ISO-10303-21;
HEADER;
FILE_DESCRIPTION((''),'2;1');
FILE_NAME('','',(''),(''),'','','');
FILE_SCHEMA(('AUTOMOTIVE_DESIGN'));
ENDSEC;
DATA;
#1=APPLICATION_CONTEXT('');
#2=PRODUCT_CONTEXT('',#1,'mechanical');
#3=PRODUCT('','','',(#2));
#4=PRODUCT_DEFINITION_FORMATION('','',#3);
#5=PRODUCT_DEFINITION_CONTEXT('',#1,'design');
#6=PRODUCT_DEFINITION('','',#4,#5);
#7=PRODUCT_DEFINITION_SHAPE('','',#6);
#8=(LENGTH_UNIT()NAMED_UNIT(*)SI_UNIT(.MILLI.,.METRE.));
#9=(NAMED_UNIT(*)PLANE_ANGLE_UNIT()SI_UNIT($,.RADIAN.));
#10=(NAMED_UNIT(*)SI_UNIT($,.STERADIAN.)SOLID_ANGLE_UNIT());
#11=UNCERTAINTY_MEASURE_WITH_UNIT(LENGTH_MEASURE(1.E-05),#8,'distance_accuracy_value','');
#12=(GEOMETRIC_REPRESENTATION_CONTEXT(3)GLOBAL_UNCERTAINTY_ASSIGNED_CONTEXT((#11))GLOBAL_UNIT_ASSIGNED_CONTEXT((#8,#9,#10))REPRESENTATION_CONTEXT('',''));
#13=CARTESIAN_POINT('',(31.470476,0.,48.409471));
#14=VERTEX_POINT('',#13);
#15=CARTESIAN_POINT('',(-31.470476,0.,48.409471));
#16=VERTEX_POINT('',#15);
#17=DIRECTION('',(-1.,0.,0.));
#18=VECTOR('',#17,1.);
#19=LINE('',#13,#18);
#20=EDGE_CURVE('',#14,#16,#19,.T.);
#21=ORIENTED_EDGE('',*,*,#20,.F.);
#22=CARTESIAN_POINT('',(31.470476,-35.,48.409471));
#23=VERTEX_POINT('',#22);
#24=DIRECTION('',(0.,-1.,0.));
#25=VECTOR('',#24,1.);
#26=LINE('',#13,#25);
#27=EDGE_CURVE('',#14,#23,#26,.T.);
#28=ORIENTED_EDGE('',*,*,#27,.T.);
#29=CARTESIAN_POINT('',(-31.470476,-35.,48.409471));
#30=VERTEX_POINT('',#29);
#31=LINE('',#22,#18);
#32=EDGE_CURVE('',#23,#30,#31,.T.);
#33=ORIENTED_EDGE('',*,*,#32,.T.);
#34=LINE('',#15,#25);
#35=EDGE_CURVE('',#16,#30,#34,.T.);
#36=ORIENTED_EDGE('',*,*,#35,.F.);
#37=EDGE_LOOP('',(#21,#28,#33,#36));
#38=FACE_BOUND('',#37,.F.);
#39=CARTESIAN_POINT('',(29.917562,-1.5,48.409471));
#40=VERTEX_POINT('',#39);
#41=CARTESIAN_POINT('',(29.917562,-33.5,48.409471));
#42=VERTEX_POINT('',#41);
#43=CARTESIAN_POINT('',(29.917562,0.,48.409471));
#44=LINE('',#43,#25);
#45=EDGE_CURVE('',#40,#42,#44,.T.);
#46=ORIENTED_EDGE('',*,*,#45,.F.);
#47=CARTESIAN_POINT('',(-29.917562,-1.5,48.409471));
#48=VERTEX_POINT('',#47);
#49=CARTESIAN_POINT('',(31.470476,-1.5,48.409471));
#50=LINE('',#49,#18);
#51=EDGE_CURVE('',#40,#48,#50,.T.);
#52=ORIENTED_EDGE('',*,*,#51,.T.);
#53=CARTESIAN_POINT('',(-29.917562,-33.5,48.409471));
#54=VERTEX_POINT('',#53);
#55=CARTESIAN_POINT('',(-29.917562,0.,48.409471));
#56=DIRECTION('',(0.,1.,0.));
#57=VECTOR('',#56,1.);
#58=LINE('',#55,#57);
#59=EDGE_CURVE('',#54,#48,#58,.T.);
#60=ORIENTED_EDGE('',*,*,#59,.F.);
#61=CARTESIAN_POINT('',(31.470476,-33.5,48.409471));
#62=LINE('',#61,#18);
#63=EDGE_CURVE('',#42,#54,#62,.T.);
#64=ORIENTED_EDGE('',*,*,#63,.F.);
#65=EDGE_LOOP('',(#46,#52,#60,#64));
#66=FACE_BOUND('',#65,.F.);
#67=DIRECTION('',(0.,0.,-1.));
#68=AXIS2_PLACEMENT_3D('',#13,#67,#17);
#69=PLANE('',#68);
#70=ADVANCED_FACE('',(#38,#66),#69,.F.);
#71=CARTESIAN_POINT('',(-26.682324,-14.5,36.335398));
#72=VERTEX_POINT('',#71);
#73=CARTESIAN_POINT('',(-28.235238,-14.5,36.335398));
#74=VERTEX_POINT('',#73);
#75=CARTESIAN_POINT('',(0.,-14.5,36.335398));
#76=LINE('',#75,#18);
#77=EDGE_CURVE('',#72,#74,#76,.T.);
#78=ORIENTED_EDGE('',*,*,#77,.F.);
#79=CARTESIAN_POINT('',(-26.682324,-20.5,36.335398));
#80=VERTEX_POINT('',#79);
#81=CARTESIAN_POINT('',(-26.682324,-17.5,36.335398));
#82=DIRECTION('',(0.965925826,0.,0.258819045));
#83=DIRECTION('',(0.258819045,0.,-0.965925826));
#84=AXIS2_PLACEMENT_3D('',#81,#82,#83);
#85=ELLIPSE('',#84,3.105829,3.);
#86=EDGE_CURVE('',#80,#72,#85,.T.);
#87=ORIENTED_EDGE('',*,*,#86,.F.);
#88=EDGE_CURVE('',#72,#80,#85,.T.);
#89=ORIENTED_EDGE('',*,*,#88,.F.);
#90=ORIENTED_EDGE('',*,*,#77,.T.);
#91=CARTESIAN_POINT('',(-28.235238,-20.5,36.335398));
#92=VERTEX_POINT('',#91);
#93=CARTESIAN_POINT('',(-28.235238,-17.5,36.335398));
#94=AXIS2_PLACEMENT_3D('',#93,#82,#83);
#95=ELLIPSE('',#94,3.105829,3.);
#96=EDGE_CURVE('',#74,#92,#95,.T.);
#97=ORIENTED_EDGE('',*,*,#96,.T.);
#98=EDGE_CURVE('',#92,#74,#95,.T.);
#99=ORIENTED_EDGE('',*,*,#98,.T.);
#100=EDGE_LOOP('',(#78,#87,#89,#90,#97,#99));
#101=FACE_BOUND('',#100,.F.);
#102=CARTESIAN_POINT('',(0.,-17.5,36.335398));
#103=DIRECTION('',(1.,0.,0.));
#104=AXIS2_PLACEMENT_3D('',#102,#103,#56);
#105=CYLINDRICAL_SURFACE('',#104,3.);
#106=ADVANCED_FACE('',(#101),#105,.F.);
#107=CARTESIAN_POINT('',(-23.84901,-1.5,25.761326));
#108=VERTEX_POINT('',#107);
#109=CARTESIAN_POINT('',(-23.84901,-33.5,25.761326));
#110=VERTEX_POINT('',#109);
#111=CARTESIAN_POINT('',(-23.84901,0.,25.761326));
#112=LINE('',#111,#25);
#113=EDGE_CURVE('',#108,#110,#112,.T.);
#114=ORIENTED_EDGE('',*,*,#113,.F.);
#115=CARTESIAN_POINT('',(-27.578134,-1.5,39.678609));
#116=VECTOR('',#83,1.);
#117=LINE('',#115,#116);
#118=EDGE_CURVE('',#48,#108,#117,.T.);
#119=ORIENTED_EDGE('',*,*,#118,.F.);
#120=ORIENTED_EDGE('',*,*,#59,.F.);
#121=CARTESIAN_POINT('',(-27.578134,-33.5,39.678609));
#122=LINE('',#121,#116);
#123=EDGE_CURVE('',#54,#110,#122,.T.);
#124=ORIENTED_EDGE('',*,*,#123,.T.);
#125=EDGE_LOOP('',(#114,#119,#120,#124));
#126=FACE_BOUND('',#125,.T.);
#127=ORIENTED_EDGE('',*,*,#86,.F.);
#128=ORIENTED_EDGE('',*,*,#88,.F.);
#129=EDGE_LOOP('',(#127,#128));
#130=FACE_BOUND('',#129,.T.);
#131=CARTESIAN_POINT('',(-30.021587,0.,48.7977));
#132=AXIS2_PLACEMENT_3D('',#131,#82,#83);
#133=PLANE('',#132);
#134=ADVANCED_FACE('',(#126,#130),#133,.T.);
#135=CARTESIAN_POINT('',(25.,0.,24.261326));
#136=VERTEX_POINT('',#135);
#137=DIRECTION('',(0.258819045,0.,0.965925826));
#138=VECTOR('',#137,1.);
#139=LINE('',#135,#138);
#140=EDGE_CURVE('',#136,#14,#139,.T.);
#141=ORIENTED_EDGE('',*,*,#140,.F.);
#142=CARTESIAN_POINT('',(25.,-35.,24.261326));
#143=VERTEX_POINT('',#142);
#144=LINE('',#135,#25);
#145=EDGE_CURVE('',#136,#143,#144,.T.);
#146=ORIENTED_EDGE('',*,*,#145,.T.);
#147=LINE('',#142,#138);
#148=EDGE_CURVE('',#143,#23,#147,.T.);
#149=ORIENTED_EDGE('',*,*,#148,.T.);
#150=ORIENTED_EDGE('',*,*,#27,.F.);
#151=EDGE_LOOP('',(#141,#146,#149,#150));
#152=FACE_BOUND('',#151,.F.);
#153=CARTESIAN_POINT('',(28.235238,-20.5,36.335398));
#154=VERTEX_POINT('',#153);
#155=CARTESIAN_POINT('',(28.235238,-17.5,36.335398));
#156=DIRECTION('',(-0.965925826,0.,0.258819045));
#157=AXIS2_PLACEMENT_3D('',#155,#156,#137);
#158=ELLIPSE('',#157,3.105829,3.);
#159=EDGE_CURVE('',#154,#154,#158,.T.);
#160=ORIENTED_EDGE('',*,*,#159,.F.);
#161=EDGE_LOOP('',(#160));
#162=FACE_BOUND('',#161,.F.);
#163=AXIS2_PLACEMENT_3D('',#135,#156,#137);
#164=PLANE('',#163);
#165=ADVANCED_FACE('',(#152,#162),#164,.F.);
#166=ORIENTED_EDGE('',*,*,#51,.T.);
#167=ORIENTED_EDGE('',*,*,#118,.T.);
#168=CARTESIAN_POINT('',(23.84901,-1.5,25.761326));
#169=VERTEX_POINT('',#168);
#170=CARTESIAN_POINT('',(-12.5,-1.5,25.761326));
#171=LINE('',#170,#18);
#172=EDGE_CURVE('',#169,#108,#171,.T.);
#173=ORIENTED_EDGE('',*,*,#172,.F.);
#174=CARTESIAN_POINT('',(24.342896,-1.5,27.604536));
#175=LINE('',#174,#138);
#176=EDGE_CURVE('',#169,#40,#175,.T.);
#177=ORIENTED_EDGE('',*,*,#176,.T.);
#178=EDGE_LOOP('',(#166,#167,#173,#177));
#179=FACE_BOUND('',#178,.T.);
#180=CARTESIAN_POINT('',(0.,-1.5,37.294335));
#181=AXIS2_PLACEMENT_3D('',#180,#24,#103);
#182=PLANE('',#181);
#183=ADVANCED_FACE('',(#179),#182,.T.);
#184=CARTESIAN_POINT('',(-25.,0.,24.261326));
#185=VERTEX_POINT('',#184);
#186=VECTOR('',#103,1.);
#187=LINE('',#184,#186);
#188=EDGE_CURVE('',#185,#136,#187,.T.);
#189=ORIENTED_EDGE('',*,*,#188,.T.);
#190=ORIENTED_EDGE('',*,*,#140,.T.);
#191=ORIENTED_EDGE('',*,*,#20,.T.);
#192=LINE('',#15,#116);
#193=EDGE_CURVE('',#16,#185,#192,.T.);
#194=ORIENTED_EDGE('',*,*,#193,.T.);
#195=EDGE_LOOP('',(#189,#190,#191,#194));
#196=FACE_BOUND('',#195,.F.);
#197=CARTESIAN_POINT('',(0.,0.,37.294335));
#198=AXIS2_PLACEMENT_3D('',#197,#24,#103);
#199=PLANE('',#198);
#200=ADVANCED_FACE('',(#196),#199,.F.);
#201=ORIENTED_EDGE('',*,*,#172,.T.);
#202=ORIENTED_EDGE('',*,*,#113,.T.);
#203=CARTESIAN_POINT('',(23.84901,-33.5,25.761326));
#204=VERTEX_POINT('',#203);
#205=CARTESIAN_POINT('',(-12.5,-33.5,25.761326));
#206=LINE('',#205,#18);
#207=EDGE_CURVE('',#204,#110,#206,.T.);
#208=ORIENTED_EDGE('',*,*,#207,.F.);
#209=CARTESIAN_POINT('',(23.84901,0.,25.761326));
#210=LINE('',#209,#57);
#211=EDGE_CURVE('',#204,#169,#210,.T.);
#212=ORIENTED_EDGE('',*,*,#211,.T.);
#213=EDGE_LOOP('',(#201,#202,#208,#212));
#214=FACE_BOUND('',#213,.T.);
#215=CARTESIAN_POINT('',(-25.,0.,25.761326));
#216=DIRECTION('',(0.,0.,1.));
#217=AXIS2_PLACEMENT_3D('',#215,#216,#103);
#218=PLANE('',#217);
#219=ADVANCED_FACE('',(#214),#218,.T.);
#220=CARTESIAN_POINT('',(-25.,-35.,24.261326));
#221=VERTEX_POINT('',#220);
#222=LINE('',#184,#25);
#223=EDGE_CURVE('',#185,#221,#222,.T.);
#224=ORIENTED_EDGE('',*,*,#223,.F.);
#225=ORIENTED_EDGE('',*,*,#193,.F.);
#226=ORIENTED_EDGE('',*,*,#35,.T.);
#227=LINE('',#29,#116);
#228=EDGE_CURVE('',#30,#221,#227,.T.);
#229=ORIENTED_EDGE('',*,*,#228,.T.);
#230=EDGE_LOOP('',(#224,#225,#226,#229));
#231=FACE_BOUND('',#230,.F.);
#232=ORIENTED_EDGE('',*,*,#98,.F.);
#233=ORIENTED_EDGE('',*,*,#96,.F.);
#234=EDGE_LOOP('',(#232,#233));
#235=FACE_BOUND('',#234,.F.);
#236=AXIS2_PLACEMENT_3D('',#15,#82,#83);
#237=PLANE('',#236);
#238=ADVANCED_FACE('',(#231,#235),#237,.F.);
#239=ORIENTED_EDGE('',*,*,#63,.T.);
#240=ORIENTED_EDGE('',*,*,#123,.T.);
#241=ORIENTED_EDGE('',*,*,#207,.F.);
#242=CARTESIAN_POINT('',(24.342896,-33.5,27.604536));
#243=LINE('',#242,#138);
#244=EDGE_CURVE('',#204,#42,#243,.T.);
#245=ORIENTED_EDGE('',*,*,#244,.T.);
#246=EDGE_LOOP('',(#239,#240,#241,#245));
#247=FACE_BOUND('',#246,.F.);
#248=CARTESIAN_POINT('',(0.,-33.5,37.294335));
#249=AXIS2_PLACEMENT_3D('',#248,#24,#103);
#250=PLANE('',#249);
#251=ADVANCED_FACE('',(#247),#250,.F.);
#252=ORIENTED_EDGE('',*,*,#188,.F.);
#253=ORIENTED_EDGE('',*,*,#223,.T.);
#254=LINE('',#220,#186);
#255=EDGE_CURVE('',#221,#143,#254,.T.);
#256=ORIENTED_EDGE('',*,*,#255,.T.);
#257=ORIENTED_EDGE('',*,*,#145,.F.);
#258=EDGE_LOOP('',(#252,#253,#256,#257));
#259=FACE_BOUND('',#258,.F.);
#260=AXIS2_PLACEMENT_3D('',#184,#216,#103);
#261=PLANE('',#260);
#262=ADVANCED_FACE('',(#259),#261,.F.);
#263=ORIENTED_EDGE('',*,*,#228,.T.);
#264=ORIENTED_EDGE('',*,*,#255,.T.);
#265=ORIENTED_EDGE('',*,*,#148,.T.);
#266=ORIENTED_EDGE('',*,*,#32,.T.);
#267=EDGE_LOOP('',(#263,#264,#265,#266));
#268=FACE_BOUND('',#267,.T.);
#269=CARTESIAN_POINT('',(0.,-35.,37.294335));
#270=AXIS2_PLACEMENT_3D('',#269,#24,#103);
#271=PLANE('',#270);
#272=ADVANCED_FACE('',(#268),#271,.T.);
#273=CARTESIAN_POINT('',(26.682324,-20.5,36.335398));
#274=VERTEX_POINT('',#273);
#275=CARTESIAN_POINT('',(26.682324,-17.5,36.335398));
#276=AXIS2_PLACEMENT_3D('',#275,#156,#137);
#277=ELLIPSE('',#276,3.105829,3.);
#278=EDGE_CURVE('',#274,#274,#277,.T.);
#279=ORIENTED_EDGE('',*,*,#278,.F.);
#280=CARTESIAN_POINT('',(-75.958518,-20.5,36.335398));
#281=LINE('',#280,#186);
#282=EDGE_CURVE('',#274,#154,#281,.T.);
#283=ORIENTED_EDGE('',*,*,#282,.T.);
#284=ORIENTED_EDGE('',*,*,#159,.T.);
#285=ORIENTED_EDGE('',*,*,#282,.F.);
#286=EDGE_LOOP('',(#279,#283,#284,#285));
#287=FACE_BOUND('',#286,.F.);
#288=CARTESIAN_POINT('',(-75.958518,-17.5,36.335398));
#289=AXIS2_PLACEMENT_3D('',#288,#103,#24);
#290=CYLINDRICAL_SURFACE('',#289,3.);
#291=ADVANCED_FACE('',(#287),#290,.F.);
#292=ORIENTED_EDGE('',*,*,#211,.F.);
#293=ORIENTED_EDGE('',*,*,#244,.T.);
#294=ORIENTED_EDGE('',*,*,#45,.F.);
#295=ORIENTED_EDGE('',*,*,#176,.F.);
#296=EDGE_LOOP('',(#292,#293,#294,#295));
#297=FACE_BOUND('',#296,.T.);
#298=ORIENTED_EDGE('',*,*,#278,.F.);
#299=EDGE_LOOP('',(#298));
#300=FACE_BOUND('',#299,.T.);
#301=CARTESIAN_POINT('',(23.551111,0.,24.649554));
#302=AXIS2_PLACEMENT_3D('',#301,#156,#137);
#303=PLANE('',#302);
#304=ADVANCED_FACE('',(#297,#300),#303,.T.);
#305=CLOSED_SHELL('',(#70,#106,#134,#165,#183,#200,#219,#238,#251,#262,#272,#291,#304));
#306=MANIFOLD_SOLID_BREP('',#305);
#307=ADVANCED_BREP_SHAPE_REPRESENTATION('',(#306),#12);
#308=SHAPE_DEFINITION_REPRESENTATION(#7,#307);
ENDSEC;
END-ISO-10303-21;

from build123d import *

# Parameters (mm, degrees)
F1_DEPTH = 35
F2_T     = -1.5
F4_D     = 6
F4_DEPTH = 31.4714761276
F5_D     = 6


with BuildPart() as f1:
    # F0 (on Front) → F1 (new body)
    with BuildSketch(Plane.XZ):
        Polygon((-31.4704761276, 48.409471255), (-25, 24.2613255978), (25, 24.2613255978), (31.4704761276, 48.409471255), align=None)
    extrude(amount=F1_DEPTH)

    # F2
    f2_openings = [f1.faces().sort_by_distance(p)[0] for p in [
        (0, -17.5, 48.409471),
    ]]
    offset(amount=F2_T, openings=f2_openings)

    # F4 (through all, one way)
    with BuildSketch(Plane.YZ):
        with Locations((-17.5, 36.3353984264)):
            Circle(F4_D / 2)
    extrude(amount=-F4_DEPTH, mode=Mode.SUBTRACT)

    # F5 (through all)
    with Locations(Plane(origin=(0, 0, 0), x_dir=(0, 1, 0), z_dir=(-1, 0, 0))):
        with Locations((-17.5, -36.3353984264)):
            Hole(F5_D / 2)


solid = f1.part
